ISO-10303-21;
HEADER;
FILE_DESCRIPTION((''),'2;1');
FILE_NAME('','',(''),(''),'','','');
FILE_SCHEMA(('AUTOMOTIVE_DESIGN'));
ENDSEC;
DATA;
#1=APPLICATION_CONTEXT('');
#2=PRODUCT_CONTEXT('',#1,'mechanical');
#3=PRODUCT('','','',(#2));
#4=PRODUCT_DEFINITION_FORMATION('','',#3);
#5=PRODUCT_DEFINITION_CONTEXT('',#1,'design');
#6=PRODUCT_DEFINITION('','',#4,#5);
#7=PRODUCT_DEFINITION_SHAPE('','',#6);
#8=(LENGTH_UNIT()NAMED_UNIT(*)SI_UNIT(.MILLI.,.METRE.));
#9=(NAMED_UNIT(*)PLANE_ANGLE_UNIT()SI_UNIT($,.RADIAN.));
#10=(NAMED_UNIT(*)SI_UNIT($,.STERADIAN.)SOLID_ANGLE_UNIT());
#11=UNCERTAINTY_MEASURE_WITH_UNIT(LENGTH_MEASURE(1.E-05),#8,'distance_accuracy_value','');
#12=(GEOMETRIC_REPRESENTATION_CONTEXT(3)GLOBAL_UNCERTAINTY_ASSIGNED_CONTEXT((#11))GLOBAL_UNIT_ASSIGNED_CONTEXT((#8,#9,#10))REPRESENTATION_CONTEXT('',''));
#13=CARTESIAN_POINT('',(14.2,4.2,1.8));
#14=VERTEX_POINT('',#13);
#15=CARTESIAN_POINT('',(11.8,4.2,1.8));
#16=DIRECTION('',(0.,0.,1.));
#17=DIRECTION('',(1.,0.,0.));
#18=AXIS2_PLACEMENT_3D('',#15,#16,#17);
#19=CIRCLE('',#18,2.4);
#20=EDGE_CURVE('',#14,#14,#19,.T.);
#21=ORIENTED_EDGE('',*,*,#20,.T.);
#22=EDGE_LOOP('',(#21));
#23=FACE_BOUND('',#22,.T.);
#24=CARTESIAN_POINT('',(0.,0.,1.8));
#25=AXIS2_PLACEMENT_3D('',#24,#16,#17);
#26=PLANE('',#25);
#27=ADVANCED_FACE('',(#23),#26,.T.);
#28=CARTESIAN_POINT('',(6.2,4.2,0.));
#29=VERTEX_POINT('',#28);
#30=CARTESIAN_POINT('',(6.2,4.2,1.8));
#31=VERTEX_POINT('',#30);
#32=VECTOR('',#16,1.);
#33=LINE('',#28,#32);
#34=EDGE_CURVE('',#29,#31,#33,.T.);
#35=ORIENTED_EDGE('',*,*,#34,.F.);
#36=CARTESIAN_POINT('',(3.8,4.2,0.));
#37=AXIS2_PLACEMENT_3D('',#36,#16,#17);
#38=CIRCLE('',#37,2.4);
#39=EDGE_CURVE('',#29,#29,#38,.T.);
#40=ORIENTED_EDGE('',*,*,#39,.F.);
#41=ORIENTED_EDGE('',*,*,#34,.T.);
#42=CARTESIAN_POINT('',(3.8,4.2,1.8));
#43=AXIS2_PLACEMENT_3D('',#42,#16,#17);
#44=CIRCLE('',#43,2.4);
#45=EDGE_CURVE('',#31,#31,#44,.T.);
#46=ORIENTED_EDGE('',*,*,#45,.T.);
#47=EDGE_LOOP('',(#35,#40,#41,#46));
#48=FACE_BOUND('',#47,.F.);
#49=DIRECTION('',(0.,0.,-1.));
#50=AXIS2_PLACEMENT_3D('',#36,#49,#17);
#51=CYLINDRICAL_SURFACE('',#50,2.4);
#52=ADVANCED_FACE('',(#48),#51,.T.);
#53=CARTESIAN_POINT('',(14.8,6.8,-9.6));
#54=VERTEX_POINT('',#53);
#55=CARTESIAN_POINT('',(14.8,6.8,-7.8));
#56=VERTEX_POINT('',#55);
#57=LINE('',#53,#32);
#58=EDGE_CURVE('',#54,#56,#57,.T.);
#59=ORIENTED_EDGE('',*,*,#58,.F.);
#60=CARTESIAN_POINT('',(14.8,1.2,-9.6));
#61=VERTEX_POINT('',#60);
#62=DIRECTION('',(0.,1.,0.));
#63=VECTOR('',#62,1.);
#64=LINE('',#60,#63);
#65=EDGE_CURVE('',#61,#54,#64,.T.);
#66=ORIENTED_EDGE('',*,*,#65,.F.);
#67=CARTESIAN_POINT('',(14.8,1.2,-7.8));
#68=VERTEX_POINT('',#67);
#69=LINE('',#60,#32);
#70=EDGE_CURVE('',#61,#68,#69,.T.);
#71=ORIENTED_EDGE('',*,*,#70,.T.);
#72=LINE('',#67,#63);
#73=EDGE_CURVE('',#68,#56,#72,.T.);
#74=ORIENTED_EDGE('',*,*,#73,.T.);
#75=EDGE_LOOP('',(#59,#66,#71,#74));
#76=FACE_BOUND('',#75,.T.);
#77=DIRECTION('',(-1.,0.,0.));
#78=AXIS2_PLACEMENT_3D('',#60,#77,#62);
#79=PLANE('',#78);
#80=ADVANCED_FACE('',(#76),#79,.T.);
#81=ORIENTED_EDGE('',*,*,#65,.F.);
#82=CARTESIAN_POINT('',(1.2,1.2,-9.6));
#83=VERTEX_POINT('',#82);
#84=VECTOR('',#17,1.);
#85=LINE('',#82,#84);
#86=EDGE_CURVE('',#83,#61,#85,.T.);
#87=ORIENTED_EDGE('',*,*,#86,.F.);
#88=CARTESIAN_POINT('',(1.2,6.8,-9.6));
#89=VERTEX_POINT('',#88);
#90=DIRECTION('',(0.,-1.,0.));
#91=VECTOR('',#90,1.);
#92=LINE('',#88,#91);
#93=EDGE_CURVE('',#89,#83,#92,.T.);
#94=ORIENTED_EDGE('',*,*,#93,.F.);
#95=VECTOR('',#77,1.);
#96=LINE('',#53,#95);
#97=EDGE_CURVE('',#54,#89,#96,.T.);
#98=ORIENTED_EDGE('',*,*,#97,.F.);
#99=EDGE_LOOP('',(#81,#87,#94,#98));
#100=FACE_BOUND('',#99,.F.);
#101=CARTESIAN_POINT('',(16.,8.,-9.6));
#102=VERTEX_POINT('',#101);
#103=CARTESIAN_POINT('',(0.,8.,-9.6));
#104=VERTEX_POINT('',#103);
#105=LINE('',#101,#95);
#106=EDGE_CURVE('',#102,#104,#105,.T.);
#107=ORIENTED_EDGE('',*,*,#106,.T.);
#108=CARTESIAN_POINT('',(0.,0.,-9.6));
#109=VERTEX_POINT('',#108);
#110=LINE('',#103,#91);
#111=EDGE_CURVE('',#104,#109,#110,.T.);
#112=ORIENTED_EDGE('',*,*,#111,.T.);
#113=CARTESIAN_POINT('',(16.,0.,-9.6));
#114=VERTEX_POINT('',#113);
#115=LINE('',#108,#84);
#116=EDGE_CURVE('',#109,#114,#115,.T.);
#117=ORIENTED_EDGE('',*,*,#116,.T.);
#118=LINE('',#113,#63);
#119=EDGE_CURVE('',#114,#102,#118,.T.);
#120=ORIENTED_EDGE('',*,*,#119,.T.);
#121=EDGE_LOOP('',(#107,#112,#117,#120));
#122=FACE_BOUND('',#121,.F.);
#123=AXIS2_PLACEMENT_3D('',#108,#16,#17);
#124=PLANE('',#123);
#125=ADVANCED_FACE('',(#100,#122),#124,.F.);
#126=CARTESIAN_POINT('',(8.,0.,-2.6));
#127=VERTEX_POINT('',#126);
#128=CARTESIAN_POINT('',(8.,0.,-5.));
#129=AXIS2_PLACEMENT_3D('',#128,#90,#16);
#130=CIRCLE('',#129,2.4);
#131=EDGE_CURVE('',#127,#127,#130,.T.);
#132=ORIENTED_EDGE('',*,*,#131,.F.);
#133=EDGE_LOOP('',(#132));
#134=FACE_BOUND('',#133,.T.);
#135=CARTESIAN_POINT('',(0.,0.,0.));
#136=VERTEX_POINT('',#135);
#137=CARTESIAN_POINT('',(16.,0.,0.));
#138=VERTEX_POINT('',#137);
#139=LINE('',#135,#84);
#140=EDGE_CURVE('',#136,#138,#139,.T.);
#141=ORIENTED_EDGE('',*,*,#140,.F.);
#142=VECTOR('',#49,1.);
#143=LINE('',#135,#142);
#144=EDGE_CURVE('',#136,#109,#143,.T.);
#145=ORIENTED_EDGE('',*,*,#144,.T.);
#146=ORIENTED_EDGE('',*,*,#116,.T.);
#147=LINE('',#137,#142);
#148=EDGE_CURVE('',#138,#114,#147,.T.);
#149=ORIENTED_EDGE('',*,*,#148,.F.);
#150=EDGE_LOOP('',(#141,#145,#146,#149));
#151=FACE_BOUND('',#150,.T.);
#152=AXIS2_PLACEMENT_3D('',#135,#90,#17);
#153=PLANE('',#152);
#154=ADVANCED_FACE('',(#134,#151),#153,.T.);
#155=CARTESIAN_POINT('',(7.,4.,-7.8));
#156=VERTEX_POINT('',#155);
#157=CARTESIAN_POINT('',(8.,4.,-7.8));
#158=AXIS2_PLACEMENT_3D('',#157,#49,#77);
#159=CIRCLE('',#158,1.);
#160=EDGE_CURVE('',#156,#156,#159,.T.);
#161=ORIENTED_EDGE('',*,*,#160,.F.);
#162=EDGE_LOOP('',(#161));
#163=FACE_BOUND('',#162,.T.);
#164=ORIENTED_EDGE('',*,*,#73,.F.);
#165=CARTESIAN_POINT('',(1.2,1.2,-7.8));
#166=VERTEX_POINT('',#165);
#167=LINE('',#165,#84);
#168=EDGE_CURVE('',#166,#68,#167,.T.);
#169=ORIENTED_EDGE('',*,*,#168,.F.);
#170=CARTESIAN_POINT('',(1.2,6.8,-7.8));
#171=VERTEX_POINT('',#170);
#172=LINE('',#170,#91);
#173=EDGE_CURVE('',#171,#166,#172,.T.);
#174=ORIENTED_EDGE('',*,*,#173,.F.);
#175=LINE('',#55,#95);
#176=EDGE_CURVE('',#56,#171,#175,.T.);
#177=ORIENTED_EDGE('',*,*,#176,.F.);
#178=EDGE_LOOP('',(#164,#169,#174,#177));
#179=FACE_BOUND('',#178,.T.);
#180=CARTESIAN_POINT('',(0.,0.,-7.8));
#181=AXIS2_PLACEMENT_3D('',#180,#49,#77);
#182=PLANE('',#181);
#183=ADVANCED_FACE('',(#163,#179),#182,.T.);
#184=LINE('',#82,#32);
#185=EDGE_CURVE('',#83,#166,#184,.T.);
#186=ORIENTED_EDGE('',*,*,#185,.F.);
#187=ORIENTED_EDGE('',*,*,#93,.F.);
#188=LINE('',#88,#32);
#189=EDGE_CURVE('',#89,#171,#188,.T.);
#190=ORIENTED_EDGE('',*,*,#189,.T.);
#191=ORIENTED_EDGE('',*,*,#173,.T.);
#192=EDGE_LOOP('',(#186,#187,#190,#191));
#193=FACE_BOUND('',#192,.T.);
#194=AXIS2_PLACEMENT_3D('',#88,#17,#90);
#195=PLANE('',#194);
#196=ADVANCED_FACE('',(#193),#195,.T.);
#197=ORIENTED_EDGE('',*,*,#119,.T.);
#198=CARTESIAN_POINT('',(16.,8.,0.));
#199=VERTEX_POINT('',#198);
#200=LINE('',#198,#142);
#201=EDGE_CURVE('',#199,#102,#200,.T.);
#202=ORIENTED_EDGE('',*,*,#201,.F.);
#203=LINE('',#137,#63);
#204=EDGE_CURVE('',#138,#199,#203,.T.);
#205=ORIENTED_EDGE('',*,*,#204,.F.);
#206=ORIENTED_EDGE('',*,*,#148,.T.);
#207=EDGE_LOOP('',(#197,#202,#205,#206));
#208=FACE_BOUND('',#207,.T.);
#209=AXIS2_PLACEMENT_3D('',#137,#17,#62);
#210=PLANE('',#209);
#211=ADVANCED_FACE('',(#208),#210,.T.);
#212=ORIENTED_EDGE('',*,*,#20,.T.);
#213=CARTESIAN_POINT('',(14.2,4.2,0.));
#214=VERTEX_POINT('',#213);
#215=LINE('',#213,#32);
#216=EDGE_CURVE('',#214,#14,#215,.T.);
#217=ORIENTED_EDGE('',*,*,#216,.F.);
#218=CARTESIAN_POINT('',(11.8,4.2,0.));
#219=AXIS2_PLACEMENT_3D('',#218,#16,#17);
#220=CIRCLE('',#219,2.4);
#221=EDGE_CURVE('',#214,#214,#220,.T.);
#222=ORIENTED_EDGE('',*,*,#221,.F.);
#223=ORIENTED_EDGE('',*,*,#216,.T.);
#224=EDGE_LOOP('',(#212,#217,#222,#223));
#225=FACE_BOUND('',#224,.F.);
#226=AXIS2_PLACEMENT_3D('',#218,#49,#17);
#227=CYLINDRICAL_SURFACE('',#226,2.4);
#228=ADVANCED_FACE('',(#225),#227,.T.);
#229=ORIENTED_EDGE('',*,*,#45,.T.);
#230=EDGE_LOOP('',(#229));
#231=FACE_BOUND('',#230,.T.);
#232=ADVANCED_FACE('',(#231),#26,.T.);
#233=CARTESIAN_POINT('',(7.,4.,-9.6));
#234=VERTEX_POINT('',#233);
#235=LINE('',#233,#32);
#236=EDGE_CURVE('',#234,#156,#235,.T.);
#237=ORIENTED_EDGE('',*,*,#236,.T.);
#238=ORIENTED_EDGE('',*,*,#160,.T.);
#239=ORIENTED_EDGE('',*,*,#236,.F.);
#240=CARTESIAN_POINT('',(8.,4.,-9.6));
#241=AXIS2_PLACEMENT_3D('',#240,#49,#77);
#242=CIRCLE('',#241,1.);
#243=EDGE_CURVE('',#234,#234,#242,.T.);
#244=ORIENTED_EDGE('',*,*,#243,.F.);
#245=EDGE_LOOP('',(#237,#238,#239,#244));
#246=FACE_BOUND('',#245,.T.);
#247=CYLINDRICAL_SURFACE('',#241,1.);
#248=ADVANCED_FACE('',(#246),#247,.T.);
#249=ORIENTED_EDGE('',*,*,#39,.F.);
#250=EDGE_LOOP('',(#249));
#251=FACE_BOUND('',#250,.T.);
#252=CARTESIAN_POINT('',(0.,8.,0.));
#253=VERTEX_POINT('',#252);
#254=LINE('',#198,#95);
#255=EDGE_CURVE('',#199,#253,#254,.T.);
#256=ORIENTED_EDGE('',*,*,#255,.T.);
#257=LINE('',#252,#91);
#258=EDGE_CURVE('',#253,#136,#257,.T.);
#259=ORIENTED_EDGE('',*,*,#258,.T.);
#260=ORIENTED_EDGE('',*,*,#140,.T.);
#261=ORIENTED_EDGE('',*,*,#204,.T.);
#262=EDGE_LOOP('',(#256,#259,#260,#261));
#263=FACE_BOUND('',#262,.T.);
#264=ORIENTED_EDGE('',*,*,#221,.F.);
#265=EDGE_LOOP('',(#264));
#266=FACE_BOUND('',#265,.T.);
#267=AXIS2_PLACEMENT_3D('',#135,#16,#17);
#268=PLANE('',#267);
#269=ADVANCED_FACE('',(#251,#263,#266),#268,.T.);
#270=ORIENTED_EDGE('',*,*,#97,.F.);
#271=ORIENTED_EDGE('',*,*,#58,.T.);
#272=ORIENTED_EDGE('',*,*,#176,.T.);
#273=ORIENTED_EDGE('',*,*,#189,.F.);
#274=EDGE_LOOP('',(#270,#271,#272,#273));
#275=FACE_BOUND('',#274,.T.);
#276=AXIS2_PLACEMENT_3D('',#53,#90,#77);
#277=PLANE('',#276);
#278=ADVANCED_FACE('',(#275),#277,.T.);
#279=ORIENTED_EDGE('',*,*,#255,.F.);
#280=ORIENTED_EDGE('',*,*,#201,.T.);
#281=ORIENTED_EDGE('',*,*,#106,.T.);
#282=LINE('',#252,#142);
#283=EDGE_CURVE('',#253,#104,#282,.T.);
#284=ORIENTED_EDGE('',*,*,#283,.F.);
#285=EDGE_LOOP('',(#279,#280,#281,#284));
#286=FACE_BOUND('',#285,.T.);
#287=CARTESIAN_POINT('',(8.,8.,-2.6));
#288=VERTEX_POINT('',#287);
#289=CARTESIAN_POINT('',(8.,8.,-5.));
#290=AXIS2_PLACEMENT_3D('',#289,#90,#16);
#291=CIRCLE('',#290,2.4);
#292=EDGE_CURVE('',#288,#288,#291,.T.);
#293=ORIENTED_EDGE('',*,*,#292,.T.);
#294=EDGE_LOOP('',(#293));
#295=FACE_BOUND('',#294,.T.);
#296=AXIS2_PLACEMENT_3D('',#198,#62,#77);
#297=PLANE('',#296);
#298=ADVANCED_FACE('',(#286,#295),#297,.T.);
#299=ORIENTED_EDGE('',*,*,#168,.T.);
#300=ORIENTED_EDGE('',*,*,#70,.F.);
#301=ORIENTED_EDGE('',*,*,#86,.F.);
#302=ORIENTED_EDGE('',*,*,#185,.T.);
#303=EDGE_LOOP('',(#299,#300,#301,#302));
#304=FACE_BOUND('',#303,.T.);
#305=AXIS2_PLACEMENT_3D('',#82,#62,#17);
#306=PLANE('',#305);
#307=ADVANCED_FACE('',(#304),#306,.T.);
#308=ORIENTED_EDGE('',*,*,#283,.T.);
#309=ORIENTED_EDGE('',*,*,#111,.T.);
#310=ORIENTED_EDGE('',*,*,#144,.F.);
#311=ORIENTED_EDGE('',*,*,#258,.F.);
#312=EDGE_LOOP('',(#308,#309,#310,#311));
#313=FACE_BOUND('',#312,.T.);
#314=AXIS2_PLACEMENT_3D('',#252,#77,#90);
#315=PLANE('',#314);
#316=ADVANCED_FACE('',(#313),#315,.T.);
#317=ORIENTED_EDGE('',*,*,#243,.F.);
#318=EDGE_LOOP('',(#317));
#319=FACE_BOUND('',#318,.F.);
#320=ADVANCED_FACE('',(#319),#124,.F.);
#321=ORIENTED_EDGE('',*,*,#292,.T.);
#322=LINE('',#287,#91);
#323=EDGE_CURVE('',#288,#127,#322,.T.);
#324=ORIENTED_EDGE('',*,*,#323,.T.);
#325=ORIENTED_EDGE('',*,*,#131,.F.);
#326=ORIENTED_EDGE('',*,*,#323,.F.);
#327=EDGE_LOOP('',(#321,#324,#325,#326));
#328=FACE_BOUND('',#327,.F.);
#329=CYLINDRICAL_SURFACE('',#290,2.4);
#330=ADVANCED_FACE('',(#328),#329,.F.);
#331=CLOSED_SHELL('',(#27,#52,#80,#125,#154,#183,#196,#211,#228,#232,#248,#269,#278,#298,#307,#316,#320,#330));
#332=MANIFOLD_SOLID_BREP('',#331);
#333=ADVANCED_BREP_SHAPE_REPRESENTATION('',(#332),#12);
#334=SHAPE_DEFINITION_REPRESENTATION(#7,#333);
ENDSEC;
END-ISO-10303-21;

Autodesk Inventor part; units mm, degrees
ref_plane "YZ Plane" through (0, 0, 0) normal (1, 0, 0) x (0, 1, 0)
ref_plane "XZ Plane" through (0, 0, 0) normal (0, 1, 0) x (-1, 0, 0)
ref_plane "XY Plane" through (0, 0, 0) normal (0, 0, 1) x (1, 0, 0)
sketch "Sketch1" plane through (0, 0, 0) normal (0, 0, 1) x (1, 0, 0)
  line L0 (0, 0) -> (16, 0)
  line L1 (16, 0) -> (16, 8)
  line L2 (16, 8) -> (0, 8)
  line L3 (0, 8) -> (0, 0)
  dimension "d0" = 16
  dimension "d1" = 8
extrude "Extrusion1" add sketch "Sketch1" against normal blind 9.6
sketch "Sketch2" plane through (0, 0, 0) normal (0, 0, 1) x (1, 0, 0)
  circle A0 centre (3.8, 4.2) radius 2.4
  circle A1 centre (11.8, 4.2) radius 2.4
  line L0 (16, 8) -> (0, 8) projected
  line L1 (0, 0) -> (0, 8) projected
  dimension "d4" = 4.8
  dimension "d5" = 4.8
  dimension "d6" = 3.8
  dimension "d7" = 3.8
  dimension "d8" = 8
extrude "Extrusion2" add sketch "Sketch2" along normal blind 1.8
sketch "Sketch3" plane through (0, 0, -9.6) normal (0, 0, -1) x (-1, 0, 0)
  line L0 (-14.8, 6.8) -> (-1.2, 6.8)
  line L1 (-1.2, 6.8) -> (-1.2, 1.2)
  line L2 (-1.2, 1.2) -> (-14.8, 1.2)
  line L3 (-14.8, 1.2) -> (-14.8, 6.8)
  line L4 (-16, 8) -> (0, 8) projected
  line L5 (-16, 0) -> (-16, 8) projected
  line L6 (-16, 0) -> (0, 0) projected
  line L7 (0, 0) -> (0, 8) projected
  circle A0 centre (-8, 4) radius 1
  dimension "d11" = 1.2
  dimension "d12" = 1.2
  dimension "d13" = 1.2
  dimension "d14" = 1.2
  dimension "d15" = 2
  dimension "d16" = 8
  dimension "d17" = 4
extrude "Extrusion3" cut sketch "Sketch3" against normal blind 1.8 contours L0 L1 L2 L3
sketch "Sketch4" plane through (0, 8, 0) normal (0, 1, 0) x (1, 0, 0)
  line L0 (0, 9.6) -> (16, 9.6) projected
  line L1 (14.8, 7.8) -> (1.2, 7.8) projected
  line L2 (0, 0) -> (0, 9.6) projected
  point P0 (8, 5)
  dimension "d21" = 2.8
  dimension "d22" = 8
hole "Hole1" at (8, 8, -5) direction (0, -1, 0) diameter 4.8 depth 25.4 tip angle 118
properties part number "Yee_1x2BrickWithHole"
